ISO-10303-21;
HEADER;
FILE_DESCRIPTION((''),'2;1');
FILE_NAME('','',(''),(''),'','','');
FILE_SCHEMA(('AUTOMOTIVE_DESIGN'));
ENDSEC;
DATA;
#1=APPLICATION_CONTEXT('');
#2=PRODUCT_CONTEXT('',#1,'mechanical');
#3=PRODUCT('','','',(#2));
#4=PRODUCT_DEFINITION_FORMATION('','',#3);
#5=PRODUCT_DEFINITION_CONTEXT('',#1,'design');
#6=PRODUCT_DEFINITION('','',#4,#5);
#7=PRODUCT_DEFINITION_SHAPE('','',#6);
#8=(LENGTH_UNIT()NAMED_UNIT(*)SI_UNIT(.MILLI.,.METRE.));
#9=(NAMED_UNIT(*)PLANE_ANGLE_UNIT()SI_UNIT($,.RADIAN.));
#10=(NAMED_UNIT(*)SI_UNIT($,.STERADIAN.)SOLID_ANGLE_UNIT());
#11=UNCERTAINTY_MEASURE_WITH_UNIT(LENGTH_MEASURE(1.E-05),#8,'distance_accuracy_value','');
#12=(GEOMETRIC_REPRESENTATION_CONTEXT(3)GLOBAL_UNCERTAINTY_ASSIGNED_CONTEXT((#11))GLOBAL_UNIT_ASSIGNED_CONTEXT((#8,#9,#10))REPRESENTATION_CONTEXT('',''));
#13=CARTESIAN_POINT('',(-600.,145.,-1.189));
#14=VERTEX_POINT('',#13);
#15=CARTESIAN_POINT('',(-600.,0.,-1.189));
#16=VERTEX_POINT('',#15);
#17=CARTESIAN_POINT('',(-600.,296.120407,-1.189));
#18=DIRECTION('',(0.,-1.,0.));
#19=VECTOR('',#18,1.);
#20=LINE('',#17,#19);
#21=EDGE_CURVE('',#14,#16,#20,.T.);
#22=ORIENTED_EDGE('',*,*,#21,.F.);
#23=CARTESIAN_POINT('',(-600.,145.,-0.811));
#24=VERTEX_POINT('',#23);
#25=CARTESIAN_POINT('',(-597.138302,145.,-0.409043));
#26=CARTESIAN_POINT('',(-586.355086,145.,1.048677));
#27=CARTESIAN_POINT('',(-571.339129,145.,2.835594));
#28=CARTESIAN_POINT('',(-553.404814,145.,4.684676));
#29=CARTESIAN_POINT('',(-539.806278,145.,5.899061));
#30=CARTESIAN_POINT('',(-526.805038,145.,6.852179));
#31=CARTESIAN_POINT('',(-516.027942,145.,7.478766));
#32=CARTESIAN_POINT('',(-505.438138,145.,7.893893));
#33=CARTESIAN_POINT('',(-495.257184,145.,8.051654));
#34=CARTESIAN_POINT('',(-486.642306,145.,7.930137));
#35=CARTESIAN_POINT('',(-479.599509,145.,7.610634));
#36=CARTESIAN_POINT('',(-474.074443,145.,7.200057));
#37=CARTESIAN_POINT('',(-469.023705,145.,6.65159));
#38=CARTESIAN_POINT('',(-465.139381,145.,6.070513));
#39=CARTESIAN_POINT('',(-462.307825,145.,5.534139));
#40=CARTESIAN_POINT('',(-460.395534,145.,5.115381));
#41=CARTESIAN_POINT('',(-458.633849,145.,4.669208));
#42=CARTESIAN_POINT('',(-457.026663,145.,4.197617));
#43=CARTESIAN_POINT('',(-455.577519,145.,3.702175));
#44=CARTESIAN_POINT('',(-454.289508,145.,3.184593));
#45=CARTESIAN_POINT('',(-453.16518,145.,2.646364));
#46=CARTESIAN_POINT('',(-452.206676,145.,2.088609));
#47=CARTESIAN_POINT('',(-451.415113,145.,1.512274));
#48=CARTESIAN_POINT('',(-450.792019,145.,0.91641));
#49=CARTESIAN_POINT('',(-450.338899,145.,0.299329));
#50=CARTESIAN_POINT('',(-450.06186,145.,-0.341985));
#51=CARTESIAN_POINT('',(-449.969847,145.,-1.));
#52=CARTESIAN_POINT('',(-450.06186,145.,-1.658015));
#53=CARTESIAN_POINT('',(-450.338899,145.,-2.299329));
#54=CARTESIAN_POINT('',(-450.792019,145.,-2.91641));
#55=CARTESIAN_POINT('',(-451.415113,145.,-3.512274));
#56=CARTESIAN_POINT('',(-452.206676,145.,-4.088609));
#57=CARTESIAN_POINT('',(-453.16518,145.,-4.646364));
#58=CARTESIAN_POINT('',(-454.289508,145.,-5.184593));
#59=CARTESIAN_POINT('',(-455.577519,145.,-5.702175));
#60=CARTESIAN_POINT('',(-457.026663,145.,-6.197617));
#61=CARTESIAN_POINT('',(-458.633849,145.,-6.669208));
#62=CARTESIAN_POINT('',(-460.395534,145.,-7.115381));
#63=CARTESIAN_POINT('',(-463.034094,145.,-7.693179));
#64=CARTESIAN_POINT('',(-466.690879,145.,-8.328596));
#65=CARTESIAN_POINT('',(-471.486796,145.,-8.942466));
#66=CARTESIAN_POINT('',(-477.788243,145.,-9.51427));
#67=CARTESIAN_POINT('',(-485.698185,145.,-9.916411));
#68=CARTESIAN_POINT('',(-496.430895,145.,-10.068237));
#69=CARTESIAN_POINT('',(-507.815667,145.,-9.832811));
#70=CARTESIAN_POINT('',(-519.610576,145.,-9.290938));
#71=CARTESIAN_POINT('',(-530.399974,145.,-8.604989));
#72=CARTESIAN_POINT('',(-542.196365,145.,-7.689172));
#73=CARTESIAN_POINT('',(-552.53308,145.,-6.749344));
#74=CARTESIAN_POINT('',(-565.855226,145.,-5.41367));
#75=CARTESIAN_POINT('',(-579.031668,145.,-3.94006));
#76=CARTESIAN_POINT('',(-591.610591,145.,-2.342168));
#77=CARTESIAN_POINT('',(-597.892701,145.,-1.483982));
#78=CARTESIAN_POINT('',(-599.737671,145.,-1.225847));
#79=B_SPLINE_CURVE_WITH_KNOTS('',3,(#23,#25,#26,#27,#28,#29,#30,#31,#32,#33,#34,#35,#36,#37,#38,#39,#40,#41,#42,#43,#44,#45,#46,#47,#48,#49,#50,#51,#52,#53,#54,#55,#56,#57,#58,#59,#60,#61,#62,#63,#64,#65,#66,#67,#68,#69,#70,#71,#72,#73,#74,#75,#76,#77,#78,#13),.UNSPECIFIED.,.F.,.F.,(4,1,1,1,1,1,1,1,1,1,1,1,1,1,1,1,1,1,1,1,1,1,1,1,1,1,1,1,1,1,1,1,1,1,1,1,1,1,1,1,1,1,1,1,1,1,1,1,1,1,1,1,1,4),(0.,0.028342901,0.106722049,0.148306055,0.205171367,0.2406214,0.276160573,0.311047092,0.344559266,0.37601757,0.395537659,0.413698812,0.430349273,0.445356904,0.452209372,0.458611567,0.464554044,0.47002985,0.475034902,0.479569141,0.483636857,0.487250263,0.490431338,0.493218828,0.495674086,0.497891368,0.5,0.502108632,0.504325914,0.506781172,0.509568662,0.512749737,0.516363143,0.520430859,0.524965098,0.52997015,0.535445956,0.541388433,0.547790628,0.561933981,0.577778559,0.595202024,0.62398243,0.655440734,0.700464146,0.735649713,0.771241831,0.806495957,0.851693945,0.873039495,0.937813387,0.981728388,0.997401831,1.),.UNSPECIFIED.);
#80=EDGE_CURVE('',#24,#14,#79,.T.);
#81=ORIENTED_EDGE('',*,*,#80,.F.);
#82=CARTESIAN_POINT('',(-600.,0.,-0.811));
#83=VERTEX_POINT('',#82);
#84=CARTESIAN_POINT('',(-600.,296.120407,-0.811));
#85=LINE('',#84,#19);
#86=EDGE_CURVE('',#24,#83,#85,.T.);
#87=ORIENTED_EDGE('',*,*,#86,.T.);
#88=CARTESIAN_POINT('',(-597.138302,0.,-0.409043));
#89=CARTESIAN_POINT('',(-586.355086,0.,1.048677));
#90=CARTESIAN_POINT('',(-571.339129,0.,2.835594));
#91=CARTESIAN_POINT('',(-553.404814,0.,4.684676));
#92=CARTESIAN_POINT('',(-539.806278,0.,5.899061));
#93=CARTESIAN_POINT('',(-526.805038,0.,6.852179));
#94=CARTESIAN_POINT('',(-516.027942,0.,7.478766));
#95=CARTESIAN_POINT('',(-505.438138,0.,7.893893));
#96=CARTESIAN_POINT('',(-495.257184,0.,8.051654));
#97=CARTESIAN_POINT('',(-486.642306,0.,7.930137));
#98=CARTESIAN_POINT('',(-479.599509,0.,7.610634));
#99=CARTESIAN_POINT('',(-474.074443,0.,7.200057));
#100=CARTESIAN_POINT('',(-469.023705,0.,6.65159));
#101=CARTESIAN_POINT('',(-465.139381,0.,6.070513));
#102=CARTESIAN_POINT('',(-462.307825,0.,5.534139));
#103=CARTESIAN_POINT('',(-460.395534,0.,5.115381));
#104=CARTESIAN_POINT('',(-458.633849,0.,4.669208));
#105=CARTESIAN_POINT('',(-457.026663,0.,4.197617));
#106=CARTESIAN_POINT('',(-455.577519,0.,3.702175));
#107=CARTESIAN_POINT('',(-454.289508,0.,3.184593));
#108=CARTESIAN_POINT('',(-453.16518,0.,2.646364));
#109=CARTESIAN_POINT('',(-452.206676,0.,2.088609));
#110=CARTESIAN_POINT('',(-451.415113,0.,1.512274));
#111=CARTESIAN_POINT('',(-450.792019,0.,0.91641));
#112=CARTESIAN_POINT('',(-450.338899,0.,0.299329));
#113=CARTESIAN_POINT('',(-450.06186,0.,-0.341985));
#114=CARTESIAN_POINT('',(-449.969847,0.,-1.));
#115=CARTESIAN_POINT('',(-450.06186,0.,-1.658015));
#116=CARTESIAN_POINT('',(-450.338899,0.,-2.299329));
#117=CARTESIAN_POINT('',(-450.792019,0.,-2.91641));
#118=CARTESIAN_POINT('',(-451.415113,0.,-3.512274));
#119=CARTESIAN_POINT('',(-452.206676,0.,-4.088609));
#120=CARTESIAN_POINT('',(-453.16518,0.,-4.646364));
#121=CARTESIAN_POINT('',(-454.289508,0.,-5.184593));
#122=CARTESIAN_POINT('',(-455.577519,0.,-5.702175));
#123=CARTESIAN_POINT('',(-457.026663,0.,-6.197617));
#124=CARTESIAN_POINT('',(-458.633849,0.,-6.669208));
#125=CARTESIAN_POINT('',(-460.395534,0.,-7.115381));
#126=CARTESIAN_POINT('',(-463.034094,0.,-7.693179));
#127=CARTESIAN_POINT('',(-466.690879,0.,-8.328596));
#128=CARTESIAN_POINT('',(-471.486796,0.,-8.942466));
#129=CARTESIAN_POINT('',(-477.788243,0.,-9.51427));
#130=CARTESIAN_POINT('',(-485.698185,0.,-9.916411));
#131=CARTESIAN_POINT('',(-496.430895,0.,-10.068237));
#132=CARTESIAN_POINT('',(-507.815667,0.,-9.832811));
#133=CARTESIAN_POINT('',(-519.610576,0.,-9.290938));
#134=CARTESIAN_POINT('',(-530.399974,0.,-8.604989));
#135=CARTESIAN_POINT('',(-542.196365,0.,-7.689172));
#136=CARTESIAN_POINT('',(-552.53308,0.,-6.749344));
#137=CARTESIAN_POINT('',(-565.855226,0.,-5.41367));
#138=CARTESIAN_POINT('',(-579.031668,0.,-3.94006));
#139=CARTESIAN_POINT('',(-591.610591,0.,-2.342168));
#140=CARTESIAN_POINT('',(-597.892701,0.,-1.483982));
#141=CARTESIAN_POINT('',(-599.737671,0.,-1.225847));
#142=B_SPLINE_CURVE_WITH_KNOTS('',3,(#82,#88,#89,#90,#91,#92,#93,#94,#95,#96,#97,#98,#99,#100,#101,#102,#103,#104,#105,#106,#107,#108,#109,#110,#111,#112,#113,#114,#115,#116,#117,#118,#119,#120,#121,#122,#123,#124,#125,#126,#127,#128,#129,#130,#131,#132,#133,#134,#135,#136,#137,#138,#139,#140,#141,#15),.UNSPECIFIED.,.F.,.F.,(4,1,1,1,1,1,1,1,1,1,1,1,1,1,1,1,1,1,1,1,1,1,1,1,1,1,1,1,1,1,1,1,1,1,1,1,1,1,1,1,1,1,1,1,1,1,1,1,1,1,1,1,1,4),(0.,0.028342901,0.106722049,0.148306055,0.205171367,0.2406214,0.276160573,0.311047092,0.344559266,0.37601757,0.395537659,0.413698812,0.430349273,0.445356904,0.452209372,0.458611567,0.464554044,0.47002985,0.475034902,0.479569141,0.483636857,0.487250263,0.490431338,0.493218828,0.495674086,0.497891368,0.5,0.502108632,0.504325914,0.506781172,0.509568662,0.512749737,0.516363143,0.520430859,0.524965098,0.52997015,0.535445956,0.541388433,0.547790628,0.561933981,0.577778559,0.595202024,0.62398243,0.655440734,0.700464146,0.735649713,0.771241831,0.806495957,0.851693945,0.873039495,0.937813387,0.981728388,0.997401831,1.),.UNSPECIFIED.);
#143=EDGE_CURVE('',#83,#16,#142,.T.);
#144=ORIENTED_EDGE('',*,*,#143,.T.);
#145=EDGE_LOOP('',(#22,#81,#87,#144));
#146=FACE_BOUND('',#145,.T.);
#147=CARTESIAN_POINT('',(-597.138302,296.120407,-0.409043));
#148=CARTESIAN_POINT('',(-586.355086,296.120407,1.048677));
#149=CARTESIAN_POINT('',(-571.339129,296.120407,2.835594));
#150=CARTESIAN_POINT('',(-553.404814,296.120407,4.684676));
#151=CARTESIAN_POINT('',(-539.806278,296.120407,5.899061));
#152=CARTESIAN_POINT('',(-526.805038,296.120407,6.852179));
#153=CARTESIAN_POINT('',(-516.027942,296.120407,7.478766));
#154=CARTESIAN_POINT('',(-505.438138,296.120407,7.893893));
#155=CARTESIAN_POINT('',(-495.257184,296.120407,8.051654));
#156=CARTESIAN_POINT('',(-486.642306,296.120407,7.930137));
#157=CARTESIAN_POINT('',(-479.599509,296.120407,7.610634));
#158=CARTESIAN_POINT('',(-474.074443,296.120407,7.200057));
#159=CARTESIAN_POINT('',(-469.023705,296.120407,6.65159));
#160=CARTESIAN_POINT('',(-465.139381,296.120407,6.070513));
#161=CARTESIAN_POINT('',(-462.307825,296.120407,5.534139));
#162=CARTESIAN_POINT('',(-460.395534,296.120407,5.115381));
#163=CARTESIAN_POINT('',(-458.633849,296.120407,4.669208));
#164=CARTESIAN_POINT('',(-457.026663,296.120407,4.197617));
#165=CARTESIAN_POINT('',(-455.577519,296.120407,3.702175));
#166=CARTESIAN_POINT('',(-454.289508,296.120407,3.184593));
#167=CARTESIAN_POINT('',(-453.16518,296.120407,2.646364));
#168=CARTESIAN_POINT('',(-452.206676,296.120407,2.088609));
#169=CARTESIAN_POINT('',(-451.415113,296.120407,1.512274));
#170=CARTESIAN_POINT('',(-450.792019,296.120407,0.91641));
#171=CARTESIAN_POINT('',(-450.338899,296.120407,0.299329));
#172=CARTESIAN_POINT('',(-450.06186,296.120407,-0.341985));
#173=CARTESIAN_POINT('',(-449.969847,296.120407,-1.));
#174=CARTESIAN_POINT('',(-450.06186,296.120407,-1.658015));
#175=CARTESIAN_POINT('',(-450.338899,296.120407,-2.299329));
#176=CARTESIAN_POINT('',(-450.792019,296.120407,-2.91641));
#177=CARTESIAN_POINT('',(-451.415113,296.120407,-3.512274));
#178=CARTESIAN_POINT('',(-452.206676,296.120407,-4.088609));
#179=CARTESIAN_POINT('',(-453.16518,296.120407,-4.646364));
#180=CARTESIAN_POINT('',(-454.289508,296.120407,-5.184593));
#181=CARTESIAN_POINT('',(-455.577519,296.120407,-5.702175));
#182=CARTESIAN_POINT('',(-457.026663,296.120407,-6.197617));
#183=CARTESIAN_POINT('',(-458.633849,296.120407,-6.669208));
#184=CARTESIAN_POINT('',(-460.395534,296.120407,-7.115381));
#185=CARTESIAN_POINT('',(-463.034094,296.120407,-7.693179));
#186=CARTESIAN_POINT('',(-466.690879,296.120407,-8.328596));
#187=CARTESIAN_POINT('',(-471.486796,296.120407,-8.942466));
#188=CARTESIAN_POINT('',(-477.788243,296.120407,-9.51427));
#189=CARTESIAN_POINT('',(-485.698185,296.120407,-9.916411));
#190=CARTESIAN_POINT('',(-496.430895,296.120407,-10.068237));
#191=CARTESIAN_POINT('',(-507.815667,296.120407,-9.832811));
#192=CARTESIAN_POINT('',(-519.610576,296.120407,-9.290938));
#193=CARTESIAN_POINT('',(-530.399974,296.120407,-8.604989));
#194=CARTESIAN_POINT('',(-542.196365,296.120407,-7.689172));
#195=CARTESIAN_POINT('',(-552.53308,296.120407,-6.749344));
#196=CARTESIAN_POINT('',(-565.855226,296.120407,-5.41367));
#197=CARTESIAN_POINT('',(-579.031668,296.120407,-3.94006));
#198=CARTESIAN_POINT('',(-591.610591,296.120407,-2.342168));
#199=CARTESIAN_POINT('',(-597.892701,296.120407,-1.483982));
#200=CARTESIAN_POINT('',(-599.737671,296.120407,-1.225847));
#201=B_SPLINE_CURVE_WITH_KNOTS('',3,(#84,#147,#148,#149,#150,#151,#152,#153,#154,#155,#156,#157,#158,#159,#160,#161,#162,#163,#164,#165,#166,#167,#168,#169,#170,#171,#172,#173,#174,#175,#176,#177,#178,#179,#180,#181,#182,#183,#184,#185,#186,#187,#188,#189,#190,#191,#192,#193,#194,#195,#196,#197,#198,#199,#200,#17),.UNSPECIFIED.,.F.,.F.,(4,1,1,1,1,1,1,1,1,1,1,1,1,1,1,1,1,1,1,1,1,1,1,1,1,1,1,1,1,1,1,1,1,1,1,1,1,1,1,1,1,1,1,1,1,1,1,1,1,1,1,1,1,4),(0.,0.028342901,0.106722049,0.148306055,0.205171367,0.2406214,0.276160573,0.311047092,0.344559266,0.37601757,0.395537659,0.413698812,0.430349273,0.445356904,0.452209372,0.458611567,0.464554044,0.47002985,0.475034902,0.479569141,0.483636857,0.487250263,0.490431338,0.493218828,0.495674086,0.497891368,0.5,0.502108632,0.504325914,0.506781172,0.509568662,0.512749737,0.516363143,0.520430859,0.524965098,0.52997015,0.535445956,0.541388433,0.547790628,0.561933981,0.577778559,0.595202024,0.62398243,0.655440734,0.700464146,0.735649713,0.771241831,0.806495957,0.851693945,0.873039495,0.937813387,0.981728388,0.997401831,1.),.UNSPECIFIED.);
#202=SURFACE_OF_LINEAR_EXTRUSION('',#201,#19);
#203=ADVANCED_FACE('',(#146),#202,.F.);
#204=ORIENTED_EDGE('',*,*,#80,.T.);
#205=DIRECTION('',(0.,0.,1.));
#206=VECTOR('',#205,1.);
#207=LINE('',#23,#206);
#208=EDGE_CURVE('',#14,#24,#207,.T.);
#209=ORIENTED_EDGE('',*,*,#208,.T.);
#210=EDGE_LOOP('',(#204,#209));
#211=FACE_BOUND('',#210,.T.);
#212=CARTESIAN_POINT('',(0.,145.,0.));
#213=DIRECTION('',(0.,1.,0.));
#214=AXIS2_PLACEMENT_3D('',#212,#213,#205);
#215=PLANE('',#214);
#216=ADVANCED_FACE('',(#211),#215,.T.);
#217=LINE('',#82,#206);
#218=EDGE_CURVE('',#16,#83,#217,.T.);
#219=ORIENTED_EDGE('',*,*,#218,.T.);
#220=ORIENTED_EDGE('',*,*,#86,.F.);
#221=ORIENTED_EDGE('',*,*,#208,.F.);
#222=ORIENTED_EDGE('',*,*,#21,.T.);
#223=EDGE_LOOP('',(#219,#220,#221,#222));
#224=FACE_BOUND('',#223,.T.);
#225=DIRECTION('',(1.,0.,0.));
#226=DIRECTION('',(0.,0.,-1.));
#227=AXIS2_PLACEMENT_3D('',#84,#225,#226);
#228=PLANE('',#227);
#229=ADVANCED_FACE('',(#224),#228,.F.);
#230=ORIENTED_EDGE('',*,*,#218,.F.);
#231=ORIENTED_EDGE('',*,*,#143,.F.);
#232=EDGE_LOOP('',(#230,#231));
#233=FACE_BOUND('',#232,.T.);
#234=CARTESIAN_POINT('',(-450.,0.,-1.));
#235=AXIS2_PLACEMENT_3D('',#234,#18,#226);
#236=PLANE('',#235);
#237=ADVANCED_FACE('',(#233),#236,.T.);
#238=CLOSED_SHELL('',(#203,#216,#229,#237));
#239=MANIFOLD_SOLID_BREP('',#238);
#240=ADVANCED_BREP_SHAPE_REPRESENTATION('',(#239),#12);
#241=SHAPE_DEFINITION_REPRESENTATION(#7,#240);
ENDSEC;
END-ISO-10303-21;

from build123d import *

# Parameters (mm, degrees)
BOSS_EXTRUDE1_DEPTH = 145


with BuildPart() as part:
    # Sketch3 → Boss-Extrude1 (new body)
    with BuildSketch(Plane(origin=(0, 0, 0), x_dir=(1, 0, 0), z_dir=(0, 1, 0))):
        with BuildLine():
            Line((-600, 0.811), (-600, 1.189))
            add(Edge.make_bspline(
                [(-600, 0.811), (-597.138302043, 0.409042638), (-586.355085788, -1.048676689), (-571.339128807, -2.835594096), (-553.404813848, -4.684676434), (-539.806277562, -5.899060812), (-526.805037999, -6.852178502), (-516.02794186, -7.478766055), (-505.438137762, -7.8938933), (-495.257183985, -8.051653695), (-486.642305752, -7.930136743), (-479.599508854, -7.610634084), (-474.074443319, -7.200056736), (-469.023705266, -6.651589941), (-465.13938082, -6.070513375), (-462.307824515, -5.534139238), (-460.39553393, -5.115381377), (-458.633849165, -4.669207566), (-457.026662994, -4.197616589), (-455.577519259, -3.702174599), (-454.289508338, -3.184592743), (-453.165179909, -2.646364146), (-452.206675963, -2.088609374), (-451.415112638, -1.512273932), (-450.792019449, -0.916409779), (-450.338899004, -0.299328933), (-450.061860448, 0.341984826), (-449.969846627, 1), (-450.061860448, 1.658015174), (-450.338899004, 2.299328933), (-450.792019449, 2.916409779), (-451.415112638, 3.512273932), (-452.206675963, 4.088609374), (-453.165179909, 4.646364146), (-454.289508338, 5.184592743), (-455.577519259, 5.702174599), (-457.026662994, 6.197616589), (-458.633849165, 6.669207566), (-460.39553393, 7.115381377), (-463.034093701, 7.693179362), (-466.690879156, 8.328596007), (-471.486795968, 8.942466147), (-477.788242844, 9.514270286), (-485.698184542, 9.916410793), (-496.430894505, 10.068236582), (-507.815667127, 9.832811333), (-519.610575518, 9.290938121), (-530.399973737, 8.60498896), (-542.196364921, 7.689172356), (-552.533079604, 6.749343829), (-565.855225929, 5.413669725), (-579.031667881, 3.940059796), (-591.610591196, 2.342168498), (-597.89270141, 1.483982009), (-599.737670609, 1.225847086), (-600, 1.189)],
                knots=[0, 0, 0, 0, 0.028342901, 0.106722049, 0.148306055, 0.205171367, 0.2406214, 0.276160573, 0.311047092, 0.344559266, 0.37601757, 0.395537659, 0.413698812, 0.430349273, 0.445356904, 0.452209372, 0.458611567, 0.464554044, 0.47002985, 0.475034902, 0.479569141, 0.483636857, 0.487250263, 0.490431338, 0.493218828, 0.495674086, 0.497891368, 0.5, 0.502108632, 0.504325914, 0.506781172, 0.509568662, 0.512749737, 0.516363143, 0.520430859, 0.524965098, 0.52997015, 0.535445956, 0.541388433, 0.547790628, 0.561933981, 0.577778559, 0.595202024, 0.62398243, 0.655440734, 0.700464146, 0.735649713, 0.771241831, 0.806495957, 0.851693945, 0.873039495, 0.937813387, 0.981728388, 0.997401831, 1, 1, 1, 1], degree=3))
        make_face()
    extrude(amount=BOSS_EXTRUDE1_DEPTH)


solid = part.part
